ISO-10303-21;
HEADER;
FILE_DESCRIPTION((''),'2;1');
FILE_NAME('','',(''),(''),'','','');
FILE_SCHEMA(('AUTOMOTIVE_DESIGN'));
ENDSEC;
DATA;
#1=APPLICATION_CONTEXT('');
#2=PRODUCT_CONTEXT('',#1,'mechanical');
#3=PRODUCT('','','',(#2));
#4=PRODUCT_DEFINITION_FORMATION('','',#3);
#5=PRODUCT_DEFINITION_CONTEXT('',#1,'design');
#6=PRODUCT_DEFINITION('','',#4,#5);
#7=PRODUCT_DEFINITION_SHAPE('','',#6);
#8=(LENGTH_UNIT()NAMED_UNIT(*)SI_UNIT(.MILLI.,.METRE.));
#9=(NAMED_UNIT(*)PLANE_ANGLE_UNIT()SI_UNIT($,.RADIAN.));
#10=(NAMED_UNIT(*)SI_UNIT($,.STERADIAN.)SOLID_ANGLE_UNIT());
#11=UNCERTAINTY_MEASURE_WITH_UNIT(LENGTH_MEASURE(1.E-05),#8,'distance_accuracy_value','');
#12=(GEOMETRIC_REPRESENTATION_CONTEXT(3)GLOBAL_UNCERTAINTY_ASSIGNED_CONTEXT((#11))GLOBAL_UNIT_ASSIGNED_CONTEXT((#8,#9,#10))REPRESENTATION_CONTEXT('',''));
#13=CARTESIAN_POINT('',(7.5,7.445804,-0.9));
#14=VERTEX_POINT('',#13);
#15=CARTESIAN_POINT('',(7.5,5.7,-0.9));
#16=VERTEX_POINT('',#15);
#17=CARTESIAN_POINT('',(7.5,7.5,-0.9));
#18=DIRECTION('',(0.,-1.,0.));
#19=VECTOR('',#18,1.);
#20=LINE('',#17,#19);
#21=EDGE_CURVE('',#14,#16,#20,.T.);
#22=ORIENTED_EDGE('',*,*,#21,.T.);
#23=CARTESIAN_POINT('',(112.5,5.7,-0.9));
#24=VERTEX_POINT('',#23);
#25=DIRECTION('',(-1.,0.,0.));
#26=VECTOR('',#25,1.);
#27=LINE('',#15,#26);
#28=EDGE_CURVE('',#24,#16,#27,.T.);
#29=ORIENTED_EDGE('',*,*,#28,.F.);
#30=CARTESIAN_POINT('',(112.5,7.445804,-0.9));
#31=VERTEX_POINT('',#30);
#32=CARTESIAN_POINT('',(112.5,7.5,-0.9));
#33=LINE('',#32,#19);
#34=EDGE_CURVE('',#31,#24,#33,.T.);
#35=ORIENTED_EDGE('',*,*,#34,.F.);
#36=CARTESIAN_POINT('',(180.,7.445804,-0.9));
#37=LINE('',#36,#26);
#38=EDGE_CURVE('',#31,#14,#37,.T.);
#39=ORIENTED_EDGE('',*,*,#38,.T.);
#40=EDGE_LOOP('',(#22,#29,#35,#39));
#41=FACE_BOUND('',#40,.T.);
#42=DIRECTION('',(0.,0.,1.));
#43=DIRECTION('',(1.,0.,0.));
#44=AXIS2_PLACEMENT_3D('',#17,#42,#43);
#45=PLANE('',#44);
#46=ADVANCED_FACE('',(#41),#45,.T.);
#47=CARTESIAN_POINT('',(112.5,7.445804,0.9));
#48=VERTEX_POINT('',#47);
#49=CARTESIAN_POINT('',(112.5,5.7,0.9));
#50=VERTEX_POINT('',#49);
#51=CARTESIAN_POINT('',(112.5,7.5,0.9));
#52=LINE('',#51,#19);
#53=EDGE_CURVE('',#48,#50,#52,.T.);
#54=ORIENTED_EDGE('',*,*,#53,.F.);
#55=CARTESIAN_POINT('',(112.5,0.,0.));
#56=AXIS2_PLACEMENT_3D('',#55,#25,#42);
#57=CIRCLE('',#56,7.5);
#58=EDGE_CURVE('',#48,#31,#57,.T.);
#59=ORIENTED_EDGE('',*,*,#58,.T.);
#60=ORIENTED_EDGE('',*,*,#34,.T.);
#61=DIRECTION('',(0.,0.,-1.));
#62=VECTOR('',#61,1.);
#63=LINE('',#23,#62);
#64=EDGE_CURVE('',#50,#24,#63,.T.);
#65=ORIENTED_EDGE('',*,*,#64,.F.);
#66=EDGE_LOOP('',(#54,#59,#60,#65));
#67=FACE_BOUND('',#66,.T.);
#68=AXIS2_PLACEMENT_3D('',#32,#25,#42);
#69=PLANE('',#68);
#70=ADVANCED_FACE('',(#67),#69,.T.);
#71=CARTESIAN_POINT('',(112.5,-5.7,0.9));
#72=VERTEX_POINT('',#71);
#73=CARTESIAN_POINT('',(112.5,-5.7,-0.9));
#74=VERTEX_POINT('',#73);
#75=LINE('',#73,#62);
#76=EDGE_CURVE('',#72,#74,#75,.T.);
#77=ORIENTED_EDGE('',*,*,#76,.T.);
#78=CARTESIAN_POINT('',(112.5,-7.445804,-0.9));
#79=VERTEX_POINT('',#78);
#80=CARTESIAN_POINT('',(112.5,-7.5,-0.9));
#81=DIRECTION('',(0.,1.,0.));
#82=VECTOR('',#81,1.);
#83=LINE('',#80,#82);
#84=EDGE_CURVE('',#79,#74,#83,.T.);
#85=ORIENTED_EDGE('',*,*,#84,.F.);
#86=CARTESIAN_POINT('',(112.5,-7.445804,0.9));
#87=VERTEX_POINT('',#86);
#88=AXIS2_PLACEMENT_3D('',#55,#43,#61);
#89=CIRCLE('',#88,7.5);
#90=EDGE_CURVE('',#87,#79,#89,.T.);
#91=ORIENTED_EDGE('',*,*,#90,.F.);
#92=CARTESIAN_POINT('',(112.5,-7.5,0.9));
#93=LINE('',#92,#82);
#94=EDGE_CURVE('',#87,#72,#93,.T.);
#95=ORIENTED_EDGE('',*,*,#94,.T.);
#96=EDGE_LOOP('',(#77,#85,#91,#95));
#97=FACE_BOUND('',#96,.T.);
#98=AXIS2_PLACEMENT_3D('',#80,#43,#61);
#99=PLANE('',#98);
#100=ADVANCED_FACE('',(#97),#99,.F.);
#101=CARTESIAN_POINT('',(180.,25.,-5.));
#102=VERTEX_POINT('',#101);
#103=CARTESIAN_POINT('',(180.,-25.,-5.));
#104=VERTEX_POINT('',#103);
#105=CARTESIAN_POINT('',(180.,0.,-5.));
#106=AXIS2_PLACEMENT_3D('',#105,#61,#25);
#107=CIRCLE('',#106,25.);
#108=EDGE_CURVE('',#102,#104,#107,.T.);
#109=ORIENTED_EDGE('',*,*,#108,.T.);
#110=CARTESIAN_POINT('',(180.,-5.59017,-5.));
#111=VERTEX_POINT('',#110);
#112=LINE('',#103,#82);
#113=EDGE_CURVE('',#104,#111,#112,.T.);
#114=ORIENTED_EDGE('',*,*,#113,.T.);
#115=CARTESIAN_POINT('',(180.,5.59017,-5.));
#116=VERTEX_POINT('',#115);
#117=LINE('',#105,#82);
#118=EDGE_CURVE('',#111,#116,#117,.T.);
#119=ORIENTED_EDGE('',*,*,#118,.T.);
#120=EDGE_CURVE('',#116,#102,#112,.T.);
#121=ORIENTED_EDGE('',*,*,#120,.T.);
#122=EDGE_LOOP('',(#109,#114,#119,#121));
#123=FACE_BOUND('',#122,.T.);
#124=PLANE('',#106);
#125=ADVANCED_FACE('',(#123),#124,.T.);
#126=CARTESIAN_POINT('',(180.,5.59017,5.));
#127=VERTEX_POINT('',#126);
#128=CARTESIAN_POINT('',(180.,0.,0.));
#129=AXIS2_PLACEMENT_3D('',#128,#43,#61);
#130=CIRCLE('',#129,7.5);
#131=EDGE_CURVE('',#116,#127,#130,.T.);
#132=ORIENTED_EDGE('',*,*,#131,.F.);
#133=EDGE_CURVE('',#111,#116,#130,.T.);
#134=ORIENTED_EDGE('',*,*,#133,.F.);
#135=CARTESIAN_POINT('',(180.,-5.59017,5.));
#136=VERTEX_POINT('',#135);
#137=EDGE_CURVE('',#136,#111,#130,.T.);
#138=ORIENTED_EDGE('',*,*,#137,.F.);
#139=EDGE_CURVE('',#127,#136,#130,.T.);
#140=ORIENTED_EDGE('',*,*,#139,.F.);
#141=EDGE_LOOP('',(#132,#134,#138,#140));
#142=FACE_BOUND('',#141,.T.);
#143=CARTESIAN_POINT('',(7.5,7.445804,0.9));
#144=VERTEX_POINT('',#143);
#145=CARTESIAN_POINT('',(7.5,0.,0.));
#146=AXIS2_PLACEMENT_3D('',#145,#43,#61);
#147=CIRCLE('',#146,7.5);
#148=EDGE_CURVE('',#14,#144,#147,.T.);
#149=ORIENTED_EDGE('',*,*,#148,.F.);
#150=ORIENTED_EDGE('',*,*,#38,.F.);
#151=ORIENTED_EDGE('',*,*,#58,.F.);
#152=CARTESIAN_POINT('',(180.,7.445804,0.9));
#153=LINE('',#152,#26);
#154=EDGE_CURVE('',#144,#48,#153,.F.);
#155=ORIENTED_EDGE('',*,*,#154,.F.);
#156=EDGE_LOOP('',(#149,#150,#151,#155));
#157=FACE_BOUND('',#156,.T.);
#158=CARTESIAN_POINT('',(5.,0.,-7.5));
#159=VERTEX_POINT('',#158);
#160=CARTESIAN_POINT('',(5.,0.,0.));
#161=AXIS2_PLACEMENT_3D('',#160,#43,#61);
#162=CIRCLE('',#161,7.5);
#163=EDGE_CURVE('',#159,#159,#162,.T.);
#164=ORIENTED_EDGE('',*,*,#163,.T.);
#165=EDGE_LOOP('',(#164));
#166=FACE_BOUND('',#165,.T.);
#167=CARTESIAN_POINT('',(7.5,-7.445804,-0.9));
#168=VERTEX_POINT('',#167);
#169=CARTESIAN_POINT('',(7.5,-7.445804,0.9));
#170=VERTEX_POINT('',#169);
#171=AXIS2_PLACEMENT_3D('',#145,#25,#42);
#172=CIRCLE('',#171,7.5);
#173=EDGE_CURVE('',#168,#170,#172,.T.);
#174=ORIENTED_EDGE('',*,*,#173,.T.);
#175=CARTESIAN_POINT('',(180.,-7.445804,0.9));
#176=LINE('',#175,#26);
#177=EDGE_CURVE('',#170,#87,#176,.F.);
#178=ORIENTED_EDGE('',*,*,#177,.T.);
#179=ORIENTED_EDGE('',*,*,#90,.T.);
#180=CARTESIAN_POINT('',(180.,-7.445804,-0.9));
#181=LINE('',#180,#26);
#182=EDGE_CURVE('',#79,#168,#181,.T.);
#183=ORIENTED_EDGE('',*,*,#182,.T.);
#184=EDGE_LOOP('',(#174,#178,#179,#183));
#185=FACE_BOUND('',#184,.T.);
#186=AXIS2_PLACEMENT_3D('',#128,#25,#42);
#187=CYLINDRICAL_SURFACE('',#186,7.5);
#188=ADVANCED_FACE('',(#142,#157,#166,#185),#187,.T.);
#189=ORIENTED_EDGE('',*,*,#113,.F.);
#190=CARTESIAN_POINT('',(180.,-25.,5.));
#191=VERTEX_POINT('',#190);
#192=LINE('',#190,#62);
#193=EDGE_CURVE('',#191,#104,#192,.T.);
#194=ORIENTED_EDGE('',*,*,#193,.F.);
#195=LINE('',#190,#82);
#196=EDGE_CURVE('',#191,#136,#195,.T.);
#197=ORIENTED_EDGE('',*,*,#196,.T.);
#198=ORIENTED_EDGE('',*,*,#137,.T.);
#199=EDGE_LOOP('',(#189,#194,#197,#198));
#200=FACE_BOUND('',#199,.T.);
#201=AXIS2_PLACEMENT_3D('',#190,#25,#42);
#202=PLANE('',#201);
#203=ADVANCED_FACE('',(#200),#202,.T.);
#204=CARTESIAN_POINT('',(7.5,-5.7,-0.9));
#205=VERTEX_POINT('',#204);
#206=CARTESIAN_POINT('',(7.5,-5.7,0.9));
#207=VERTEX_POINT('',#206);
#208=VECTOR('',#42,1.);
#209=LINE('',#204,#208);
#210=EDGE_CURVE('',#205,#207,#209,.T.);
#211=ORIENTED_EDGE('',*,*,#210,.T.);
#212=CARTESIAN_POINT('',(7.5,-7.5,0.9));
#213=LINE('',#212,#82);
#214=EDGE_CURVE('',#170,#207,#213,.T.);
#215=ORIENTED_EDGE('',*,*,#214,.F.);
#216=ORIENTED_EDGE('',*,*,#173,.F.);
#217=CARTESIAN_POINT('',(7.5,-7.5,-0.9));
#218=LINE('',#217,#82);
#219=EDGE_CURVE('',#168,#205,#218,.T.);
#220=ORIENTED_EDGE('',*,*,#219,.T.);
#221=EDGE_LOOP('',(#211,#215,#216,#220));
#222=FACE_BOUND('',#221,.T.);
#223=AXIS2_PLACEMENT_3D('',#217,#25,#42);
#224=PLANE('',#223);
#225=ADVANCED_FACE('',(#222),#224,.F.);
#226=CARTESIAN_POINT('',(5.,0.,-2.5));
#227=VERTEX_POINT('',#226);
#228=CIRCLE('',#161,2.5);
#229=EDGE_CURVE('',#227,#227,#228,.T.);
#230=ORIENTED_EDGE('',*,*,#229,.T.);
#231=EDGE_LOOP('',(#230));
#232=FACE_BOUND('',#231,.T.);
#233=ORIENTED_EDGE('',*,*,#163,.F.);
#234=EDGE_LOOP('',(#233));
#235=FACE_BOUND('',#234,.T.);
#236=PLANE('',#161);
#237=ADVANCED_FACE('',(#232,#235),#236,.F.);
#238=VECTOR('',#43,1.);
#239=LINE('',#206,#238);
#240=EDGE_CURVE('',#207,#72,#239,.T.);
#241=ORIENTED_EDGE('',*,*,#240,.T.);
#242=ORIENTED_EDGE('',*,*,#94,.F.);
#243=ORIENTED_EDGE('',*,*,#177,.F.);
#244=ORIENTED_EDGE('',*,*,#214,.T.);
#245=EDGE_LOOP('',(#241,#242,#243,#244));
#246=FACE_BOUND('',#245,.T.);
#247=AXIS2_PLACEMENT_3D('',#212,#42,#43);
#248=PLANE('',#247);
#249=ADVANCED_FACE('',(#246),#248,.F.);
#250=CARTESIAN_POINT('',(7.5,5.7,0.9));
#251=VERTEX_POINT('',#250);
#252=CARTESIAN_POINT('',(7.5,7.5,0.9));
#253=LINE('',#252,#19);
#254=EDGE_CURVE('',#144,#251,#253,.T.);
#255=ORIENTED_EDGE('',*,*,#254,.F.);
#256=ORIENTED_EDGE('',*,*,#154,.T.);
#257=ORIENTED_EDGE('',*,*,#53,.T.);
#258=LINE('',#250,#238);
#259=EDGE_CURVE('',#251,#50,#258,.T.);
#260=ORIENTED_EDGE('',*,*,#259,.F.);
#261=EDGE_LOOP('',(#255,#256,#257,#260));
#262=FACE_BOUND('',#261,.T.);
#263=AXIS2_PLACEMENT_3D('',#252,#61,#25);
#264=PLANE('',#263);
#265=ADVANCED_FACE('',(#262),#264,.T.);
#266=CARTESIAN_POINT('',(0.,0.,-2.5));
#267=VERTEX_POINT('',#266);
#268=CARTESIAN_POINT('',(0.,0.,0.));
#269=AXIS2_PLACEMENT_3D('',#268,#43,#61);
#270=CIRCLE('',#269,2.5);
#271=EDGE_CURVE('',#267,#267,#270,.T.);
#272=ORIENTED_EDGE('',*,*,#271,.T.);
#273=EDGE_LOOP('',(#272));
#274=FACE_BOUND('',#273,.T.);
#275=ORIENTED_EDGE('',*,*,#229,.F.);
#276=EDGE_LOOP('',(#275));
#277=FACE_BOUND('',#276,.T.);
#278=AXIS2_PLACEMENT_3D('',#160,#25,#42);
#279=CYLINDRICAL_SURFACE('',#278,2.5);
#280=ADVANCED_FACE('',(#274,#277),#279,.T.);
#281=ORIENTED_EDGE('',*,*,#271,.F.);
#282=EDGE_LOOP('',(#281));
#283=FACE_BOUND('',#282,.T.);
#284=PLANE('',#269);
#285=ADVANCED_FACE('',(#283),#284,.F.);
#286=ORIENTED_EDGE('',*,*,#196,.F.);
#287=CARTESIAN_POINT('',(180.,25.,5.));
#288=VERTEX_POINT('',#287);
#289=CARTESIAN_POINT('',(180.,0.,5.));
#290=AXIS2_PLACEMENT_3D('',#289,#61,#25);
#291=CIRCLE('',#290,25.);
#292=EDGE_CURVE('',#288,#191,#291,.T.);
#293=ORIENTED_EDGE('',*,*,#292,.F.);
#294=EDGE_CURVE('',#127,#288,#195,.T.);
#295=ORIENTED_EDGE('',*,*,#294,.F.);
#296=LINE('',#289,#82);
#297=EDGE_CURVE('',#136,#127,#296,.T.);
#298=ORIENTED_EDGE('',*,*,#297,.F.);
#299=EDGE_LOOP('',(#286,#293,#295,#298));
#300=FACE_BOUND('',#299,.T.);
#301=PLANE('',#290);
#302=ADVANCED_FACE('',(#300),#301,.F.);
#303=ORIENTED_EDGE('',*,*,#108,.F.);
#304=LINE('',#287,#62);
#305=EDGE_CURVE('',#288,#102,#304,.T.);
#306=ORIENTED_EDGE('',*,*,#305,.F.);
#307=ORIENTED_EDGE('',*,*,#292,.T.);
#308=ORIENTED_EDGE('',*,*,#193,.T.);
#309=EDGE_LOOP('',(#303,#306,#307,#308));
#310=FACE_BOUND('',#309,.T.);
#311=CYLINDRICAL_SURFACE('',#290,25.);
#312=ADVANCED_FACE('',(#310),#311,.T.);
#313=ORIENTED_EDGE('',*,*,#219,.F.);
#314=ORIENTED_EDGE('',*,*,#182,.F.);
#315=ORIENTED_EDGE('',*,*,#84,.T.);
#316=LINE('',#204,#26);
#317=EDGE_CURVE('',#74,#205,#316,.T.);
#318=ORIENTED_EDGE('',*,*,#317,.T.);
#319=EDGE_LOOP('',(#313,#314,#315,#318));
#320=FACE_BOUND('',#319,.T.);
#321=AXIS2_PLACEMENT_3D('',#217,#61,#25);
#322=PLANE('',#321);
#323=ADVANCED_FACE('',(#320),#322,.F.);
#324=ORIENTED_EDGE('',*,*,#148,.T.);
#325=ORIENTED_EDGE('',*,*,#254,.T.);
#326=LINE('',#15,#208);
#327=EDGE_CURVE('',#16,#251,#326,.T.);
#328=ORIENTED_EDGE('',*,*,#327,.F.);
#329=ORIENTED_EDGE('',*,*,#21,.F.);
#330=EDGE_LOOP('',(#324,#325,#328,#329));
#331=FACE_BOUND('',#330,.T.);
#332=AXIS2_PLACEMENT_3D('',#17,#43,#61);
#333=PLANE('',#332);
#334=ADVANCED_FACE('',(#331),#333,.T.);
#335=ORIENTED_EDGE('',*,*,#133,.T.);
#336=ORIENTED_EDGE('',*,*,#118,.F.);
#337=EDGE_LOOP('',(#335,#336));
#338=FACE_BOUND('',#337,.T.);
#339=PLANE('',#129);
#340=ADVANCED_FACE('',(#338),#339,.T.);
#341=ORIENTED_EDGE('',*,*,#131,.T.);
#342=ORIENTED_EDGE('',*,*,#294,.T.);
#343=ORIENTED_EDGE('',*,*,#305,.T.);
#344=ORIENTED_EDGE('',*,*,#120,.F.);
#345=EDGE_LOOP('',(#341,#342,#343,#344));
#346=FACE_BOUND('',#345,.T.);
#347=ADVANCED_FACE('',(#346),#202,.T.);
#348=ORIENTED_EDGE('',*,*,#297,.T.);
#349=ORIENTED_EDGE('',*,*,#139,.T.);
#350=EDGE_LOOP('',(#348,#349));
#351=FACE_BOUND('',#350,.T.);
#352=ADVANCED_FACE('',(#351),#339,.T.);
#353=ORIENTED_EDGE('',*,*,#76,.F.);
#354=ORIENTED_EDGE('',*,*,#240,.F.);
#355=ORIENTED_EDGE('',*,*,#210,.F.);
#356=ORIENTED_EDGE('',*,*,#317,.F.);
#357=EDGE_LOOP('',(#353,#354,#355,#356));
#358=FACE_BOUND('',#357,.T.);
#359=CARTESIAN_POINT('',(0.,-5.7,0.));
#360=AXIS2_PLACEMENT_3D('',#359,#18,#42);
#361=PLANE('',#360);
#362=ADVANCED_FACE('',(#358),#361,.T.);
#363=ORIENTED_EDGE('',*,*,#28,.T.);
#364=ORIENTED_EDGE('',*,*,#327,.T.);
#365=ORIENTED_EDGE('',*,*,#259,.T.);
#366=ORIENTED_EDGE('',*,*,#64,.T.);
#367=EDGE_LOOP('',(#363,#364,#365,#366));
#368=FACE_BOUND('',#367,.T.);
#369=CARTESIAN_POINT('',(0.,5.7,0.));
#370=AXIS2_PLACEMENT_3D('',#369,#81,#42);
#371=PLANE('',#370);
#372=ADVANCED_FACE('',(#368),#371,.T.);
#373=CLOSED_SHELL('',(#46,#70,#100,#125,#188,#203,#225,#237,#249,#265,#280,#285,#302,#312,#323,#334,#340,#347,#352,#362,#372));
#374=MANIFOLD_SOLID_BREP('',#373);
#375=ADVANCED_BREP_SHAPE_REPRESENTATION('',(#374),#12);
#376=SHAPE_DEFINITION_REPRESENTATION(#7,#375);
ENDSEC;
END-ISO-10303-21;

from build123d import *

# Parameters (mm, degrees)
SKETCH1_R           = 2.5
BOSS_EXTRUDE1_DEPTH = 5
SKETCH2_R           = 7.5
BOSS_EXTRUDE2_DEPTH = 175
BOSS_EXTRUDE3_DEPTH = 5
SKETCH4_W           = 105
SKETCH4_H           = 1.8
CUT_EXTRUDE1_DEPTH  = 1.8


with BuildPart() as part:
    # Sketch1 → Boss-Extrude1 (new body)
    with BuildSketch(Plane(origin=(0, 0, 0), x_dir=(0, 0, -1), z_dir=(1, 0, 0))):
        Circle(SKETCH1_R)
    extrude(amount=BOSS_EXTRUDE1_DEPTH)

    # Sketch2 → Boss-Extrude2 (add)
    with BuildSketch(Plane(origin=(5, 0, 0), x_dir=(0, 0, -1), z_dir=(1, 0, 0))):
        Circle(SKETCH2_R)
    extrude(amount=BOSS_EXTRUDE2_DEPTH)

    # Sketch3 → Boss-Extrude3 (add, symmetric)
    with BuildSketch(Plane.XY):
        with BuildLine():
            Line((180, -25), (180, 25))
            ThreePointArc((180, 25), (205, 0), (180, -25))
        make_face()
    extrude(amount=BOSS_EXTRUDE3_DEPTH, both=True)

    # Sketch4 → Cut-Extrude1 (cut)
    with BuildSketch(Plane(origin=(0, 5.7, 0), x_dir=(1, 0, 0), z_dir=(0, 1, 0))):
        with Locations((60, 0)):
            Rectangle(SKETCH4_W, SKETCH4_H)
    cut_extrude1 = extrude(amount=CUT_EXTRUDE1_DEPTH, mode=Mode.SUBTRACT)

    # Mirror1: Cut-Extrude1 across plane
    add(cut_extrude1.mirror(Plane.ZX), mode=Mode.SUBTRACT)


solid = part.part
